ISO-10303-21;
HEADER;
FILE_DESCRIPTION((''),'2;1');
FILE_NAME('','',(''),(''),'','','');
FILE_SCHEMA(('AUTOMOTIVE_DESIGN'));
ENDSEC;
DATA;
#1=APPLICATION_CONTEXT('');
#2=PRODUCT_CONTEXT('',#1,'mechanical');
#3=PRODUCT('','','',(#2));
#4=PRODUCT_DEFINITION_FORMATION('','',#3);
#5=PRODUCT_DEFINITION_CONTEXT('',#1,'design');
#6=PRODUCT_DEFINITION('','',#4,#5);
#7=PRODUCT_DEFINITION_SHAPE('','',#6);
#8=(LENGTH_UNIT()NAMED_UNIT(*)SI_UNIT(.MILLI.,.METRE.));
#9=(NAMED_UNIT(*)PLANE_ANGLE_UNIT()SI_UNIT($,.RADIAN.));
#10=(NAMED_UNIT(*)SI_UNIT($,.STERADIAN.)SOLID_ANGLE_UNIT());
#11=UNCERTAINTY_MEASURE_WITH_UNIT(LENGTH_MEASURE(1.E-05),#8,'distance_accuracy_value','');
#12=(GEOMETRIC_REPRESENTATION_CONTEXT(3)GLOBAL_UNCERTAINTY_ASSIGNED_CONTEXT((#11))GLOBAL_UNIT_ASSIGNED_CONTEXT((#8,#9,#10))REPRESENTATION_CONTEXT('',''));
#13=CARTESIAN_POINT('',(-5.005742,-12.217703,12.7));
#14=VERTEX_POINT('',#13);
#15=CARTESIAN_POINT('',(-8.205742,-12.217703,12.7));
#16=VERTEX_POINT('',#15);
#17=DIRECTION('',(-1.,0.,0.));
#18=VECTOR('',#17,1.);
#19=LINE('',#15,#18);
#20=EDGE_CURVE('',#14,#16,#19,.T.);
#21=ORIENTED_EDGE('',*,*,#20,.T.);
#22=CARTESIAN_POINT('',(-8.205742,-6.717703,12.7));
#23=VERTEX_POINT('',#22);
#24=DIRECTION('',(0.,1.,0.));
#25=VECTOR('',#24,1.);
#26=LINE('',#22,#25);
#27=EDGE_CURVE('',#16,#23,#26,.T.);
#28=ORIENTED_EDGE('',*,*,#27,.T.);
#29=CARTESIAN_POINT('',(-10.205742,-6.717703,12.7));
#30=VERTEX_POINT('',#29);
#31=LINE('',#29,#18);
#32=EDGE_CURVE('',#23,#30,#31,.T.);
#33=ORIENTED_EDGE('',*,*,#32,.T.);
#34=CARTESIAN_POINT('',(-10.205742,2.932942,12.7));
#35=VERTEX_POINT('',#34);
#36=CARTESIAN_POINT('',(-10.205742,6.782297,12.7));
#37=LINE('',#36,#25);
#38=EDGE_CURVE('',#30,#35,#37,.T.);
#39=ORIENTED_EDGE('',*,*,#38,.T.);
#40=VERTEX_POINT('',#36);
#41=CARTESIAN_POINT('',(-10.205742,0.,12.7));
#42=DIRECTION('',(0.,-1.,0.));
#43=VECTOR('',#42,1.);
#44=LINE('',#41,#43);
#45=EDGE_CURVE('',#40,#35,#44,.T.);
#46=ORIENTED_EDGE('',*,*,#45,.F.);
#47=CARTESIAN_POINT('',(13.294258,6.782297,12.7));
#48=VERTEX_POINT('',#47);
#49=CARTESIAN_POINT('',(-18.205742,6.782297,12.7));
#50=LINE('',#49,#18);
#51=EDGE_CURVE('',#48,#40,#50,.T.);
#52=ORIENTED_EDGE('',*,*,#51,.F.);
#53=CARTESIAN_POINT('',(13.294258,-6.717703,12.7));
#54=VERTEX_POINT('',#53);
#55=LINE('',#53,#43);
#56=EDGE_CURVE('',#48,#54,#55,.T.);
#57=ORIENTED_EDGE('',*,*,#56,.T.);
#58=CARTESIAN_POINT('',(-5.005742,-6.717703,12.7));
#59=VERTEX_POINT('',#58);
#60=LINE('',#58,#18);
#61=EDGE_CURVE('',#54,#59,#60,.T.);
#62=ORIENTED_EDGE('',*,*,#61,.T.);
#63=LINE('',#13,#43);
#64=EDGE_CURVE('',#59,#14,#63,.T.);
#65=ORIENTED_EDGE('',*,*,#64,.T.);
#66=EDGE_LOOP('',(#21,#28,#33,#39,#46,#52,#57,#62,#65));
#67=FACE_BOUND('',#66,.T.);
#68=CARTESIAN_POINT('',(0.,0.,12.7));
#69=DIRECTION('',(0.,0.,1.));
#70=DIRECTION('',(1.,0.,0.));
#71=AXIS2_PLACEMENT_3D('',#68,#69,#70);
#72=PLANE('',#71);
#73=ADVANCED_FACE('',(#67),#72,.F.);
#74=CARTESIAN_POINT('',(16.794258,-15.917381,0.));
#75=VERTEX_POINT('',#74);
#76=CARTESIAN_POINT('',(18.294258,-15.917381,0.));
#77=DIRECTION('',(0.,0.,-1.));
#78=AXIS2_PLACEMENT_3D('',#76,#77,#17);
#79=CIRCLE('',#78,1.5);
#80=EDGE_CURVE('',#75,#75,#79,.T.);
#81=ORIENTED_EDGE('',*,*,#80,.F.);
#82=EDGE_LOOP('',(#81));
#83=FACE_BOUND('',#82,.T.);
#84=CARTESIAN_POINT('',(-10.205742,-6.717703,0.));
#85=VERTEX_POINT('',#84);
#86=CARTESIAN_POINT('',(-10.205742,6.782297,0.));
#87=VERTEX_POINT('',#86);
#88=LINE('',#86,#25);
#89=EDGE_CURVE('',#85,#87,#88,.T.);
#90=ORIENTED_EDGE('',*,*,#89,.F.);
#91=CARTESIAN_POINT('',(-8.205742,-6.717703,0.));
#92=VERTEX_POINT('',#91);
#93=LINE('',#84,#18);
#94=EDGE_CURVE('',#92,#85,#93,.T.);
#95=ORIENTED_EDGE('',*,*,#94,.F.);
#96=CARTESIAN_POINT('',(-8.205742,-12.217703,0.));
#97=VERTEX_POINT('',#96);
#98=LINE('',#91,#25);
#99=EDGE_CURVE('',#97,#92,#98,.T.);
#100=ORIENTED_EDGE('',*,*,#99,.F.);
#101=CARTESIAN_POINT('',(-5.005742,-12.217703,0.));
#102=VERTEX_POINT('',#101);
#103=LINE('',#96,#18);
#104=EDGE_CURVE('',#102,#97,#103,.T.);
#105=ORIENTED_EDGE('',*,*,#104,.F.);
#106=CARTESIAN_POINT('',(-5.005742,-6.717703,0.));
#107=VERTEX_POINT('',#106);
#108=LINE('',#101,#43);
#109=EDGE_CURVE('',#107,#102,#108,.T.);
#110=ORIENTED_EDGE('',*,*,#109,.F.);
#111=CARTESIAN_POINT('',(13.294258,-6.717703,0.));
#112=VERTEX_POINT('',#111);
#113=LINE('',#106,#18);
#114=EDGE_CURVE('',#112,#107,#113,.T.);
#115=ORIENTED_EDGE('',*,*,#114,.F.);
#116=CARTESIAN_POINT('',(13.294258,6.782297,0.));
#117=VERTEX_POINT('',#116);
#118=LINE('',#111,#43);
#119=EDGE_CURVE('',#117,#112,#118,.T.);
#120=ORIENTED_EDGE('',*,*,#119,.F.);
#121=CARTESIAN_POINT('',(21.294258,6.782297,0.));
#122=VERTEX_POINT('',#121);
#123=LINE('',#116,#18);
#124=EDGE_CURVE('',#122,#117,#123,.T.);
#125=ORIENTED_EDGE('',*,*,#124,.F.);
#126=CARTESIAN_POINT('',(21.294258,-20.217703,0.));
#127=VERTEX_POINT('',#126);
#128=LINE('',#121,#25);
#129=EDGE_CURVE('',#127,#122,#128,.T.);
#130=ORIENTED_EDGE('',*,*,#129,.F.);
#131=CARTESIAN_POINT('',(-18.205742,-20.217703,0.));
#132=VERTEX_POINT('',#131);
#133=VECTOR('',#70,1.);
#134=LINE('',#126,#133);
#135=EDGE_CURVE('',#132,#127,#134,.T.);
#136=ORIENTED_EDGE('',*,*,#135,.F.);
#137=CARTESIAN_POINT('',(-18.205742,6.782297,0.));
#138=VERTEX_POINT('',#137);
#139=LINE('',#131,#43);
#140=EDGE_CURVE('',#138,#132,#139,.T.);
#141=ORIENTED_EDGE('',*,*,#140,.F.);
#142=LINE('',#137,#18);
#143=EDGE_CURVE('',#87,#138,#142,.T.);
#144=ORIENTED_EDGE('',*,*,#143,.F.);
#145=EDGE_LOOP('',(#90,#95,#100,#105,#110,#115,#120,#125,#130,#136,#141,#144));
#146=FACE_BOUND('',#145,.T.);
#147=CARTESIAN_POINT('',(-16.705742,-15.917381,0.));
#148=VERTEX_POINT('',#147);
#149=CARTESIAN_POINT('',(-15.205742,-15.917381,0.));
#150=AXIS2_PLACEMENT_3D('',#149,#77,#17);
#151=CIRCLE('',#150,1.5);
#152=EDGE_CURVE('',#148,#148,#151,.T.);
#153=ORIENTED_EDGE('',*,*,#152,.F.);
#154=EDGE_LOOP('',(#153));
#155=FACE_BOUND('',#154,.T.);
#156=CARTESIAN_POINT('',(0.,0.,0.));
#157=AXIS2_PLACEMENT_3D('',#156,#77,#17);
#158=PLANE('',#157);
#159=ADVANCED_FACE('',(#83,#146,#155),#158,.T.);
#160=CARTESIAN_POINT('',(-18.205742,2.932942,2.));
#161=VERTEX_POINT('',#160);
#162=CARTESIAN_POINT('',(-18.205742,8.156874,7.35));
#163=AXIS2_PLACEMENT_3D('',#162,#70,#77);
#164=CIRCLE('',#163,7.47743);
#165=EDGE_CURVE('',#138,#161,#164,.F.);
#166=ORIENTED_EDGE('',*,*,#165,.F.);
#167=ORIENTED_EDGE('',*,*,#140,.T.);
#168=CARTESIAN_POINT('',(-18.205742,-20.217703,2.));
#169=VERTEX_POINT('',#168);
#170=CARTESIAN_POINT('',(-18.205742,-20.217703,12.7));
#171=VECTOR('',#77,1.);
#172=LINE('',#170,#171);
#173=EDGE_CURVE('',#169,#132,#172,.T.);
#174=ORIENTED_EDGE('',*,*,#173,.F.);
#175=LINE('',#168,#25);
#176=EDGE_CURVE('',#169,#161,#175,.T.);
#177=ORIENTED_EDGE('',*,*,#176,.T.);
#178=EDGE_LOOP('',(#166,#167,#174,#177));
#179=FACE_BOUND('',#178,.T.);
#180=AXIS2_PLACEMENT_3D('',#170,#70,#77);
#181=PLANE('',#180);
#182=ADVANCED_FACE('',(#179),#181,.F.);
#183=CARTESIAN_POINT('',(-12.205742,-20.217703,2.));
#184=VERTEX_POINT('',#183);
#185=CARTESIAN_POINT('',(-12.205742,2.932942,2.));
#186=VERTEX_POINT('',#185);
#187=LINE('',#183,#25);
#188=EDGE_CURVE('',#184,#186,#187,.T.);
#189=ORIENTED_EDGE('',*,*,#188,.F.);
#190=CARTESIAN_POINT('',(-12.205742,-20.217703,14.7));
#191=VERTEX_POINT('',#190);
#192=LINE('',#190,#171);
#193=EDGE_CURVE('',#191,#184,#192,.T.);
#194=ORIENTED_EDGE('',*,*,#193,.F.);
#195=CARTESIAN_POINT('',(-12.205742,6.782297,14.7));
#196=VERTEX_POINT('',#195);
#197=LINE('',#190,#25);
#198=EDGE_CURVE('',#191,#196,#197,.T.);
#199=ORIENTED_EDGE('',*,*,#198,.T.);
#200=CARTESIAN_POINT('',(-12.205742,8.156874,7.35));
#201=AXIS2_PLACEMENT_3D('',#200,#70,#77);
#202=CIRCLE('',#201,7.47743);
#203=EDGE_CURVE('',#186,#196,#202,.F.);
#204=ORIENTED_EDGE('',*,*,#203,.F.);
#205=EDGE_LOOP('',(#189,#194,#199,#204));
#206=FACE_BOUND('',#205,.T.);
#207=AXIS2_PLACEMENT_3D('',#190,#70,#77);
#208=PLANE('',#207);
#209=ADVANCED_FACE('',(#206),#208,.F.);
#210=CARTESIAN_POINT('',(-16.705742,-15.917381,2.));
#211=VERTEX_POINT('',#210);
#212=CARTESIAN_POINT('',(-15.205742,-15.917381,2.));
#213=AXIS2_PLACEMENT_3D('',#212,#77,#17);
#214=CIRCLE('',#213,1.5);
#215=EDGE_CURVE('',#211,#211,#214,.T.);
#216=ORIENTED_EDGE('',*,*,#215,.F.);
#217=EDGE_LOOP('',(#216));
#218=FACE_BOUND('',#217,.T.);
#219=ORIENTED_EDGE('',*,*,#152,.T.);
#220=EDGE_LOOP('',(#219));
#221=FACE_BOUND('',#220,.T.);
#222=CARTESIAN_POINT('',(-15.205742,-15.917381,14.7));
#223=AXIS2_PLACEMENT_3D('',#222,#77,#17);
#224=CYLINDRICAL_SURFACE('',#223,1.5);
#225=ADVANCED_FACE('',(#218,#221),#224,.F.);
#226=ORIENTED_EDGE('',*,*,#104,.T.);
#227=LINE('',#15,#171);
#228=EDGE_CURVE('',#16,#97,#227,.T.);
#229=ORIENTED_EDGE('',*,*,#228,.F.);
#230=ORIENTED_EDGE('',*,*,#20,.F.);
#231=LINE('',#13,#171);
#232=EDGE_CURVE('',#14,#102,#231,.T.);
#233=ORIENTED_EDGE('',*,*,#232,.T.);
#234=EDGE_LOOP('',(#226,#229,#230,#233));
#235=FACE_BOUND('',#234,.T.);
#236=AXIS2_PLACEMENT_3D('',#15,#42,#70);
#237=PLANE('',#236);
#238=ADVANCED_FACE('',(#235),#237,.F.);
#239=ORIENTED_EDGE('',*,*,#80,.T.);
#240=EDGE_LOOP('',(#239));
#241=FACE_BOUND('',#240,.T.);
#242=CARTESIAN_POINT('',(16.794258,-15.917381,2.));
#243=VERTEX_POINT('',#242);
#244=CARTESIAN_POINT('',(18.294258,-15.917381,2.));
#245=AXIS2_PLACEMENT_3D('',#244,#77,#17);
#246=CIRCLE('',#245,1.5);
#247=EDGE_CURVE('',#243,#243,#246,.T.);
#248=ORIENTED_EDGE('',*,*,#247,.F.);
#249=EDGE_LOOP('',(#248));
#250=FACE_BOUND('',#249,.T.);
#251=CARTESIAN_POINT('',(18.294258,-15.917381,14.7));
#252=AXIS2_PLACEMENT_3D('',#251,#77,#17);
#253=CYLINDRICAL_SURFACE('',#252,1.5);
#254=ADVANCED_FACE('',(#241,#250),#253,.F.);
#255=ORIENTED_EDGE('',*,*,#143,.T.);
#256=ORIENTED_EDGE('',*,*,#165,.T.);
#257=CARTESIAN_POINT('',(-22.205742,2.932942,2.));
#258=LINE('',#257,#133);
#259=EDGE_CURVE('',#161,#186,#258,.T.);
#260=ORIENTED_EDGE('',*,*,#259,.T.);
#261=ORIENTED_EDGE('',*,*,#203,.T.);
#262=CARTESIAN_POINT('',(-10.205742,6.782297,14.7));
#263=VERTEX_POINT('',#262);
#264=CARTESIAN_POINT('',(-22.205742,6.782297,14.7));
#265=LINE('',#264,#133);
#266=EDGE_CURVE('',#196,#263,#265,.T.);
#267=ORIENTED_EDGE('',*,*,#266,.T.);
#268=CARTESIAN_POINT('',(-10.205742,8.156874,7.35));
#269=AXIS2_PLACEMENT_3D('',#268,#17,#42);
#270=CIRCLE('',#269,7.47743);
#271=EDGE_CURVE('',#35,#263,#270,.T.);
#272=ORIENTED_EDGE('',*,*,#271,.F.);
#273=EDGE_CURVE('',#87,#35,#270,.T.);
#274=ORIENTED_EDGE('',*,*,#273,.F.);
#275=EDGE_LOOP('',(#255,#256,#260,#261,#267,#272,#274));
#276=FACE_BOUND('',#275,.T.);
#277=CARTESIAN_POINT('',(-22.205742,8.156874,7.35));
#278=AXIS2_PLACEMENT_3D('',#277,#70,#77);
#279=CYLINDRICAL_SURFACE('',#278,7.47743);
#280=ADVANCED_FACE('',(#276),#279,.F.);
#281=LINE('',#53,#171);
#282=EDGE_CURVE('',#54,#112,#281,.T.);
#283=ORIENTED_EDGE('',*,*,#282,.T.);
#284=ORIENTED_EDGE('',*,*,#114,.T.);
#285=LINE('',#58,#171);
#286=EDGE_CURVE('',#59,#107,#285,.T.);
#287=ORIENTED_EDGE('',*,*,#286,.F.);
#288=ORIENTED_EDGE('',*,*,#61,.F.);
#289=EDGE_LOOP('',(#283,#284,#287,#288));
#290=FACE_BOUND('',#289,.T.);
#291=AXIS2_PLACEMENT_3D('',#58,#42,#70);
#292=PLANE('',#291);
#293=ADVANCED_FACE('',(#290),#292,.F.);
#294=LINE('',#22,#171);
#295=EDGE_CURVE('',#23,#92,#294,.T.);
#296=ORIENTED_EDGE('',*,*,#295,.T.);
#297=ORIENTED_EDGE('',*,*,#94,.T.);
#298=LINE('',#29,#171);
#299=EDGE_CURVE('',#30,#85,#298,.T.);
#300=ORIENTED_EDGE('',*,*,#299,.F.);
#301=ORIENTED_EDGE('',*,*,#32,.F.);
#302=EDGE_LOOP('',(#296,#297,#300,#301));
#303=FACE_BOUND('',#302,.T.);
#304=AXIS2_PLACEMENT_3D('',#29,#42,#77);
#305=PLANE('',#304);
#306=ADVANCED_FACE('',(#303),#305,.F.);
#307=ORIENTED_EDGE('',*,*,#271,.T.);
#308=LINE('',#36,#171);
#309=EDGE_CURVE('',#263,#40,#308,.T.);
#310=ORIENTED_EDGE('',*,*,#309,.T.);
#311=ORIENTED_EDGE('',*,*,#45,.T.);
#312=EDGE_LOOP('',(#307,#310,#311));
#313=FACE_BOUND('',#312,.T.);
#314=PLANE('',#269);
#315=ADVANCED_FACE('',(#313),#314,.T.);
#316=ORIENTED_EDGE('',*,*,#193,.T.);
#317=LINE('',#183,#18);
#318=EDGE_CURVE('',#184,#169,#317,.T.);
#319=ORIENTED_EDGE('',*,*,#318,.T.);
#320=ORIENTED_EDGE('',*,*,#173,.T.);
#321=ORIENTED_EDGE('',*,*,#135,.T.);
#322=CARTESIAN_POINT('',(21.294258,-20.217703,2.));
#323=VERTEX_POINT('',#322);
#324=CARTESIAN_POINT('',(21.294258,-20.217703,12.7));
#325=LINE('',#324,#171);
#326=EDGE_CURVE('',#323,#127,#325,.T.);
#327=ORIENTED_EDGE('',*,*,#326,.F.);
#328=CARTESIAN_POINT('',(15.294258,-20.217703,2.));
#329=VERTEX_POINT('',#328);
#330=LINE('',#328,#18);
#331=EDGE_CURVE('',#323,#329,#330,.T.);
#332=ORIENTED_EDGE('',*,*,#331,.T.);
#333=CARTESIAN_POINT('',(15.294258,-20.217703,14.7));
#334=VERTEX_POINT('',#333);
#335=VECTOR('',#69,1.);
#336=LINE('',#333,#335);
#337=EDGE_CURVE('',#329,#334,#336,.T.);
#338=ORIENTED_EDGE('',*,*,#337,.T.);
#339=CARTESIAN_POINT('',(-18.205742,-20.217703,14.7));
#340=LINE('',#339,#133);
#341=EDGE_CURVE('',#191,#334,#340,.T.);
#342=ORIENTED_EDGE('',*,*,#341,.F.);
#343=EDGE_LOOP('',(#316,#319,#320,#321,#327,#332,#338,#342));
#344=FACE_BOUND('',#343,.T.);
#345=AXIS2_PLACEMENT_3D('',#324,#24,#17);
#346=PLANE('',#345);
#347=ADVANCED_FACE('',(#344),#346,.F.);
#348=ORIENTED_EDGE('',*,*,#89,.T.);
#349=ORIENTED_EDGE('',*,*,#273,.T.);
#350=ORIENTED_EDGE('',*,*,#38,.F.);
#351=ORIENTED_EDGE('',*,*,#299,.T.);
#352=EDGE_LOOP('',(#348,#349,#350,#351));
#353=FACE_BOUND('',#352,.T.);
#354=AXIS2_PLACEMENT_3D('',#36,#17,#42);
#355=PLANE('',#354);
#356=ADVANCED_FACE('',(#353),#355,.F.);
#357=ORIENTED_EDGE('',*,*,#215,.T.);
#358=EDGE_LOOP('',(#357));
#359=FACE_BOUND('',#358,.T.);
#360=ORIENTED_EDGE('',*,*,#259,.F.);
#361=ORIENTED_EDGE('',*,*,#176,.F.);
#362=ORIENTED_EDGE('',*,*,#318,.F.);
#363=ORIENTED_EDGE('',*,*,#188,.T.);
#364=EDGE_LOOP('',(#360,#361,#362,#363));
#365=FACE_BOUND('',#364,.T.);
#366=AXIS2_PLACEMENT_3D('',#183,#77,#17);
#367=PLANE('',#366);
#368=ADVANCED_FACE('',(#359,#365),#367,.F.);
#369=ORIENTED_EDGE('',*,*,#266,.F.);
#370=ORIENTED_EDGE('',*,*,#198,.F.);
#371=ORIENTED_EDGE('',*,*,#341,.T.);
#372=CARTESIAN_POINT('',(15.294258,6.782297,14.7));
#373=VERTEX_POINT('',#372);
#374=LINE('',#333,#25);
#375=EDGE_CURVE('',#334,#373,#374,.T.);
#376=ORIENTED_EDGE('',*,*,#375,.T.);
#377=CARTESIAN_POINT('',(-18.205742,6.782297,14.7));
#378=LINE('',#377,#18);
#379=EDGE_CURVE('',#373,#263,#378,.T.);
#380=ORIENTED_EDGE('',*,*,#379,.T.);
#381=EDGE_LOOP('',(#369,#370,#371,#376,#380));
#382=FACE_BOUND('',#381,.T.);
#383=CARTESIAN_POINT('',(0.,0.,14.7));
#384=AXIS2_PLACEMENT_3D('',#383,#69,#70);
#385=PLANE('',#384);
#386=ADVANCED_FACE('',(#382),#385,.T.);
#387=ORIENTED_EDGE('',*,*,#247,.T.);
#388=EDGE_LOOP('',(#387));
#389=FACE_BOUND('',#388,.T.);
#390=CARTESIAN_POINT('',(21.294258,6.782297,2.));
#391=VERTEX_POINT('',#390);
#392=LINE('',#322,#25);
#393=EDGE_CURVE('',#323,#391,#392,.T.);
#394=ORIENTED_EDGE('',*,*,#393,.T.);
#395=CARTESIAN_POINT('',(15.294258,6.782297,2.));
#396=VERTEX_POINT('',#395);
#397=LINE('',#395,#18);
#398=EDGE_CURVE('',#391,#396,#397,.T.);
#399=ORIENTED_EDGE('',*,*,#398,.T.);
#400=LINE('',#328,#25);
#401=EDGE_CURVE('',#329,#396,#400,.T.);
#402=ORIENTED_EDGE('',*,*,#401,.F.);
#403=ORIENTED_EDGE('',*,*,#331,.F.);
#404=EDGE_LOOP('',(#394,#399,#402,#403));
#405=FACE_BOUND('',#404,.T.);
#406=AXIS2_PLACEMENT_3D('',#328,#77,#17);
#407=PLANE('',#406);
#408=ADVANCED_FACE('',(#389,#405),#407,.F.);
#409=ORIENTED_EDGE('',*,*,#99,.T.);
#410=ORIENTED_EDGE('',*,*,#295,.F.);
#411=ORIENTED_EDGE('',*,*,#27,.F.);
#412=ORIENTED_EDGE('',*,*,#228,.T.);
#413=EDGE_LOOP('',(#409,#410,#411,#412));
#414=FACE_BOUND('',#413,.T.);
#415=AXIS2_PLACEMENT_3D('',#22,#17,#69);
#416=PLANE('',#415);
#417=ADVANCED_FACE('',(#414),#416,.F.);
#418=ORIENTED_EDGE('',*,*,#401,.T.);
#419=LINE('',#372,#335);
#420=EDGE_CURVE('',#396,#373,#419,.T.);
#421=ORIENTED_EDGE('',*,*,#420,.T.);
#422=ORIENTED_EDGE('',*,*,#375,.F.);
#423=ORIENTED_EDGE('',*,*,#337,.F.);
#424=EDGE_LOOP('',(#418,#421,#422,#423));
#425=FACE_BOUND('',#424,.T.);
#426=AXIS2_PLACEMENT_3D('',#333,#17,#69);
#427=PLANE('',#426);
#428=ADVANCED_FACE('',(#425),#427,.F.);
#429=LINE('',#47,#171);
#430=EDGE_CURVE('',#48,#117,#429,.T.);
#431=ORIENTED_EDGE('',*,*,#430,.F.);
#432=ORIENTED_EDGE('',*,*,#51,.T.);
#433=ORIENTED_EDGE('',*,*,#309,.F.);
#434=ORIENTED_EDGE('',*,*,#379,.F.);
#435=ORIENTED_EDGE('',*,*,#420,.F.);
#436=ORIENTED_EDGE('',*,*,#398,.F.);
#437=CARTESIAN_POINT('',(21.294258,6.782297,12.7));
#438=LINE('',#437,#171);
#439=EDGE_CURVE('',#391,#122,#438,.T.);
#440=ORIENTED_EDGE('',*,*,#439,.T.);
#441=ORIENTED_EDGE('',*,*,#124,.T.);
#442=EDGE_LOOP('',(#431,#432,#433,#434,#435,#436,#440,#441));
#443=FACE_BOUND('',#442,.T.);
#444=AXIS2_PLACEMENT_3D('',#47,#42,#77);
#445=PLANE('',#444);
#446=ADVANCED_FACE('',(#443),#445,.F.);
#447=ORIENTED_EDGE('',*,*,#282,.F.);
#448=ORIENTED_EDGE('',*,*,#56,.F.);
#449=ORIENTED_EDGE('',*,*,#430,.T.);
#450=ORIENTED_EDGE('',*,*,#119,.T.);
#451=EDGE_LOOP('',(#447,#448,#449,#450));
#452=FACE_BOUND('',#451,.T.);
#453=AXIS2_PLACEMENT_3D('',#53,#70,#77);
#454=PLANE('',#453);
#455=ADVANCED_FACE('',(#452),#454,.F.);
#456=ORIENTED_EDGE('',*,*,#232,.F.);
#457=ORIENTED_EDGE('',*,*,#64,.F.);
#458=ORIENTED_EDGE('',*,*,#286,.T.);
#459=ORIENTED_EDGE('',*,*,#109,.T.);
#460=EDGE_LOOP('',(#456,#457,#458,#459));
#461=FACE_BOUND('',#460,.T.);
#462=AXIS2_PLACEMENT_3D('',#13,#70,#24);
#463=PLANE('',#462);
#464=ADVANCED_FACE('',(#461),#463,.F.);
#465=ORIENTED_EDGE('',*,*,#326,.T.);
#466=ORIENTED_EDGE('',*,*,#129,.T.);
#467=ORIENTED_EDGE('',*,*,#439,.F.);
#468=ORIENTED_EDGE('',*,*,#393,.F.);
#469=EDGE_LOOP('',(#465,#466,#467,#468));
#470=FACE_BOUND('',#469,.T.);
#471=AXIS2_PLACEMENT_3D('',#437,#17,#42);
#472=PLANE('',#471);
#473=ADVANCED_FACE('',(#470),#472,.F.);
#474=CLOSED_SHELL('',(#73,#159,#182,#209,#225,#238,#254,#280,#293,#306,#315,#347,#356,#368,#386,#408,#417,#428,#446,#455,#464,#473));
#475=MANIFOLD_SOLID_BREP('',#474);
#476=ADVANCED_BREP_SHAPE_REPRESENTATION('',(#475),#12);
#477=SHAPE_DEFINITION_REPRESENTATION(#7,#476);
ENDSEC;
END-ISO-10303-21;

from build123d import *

# Parameters (mm, degrees)
BOSS_EXTRUDE1_DEPTH = 12.7
SKETCH2_W           = 39.5
SKETCH2_H           = 27
BOSS_EXTRUDE2_DEPTH = 2
SKETCH3_W           = 6
SKETCH3_H           = 12.7
CUT_EXTRUDE1_DEPTH  = 38.396997736
CUT_EXTRUDE2_START  = -2
CUT_EXTRUDE2_DEPTH  = 12
SKETCH5_R           = 1.5
CUT_EXTRUDE3_DEPTH  = 33.837341068


with BuildPart() as part:
    # Sketch1 → Boss-Extrude1 (new body)
    with BuildSketch(Plane.XY):
        Polygon((-10.205741627, 6.782296651), (-10.205741627, -6.717703349), (-8.205741627, -6.717703349), (-8.205741627, -12.217703349), (-5.005741627, -12.217703349), (-5.005741627, -6.717703349), (13.294258373, -6.717703349), (13.294258373, 6.782296651), (21.294258373, 6.782296651), (21.294258373, -20.217703349), (-18.205741627, -20.217703349), (-18.205741627, 6.782296651), align=None)
    extrude(amount=BOSS_EXTRUDE1_DEPTH)

    # Sketch2 → Boss-Extrude2 (add)
    with BuildSketch(Plane.XY.offset(12.7)):
        with Locations((1.544258373, -6.717703349)):
            Rectangle(SKETCH2_W, SKETCH2_H)
    extrude(amount=BOSS_EXTRUDE2_DEPTH)

    # Sketch3 → Cut-Extrude1 (cut, through all)
    with BuildSketch(Plane(origin=(0, 6.782296651, 0), x_dir=(1, 0, 0), z_dir=(0, 1, 0))):
        with Locations((-15.205741627, -8.35)):
            Rectangle(SKETCH3_W, SKETCH3_H)
        with Locations((18.294258373, -8.35)):
            Rectangle(SKETCH3_W, SKETCH3_H)
    extrude(amount=-CUT_EXTRUDE1_DEPTH, mode=Mode.SUBTRACT)

    # Sketch4 → Cut-Extrude2 (cut)
    with BuildSketch(Plane.ZY.offset(12.205741627).offset(CUT_EXTRUDE2_START)):
        with BuildLine():
            Line((0, 6.782296651), (14.7, 6.782296651))
            ThreePointArc((14.7, 6.782296651), (7.35, 0.679443812), (0, 6.782296651))
        make_face()
    extrude(amount=CUT_EXTRUDE2_DEPTH, mode=Mode.SUBTRACT)

    # Sketch5 → Cut-Extrude3 (cut, through all)
    with BuildSketch(Plane(origin=(0, 0, 0), x_dir=(-1, 0, 0), z_dir=(0, 0, -1))):
        with Locations((-18.294258373, -15.917381118)):
            Circle(SKETCH5_R)
        with Locations((15.205741627, -15.917381118)):
            Circle(SKETCH5_R)
    extrude(amount=-CUT_EXTRUDE3_DEPTH, mode=Mode.SUBTRACT)


solid = part.part
